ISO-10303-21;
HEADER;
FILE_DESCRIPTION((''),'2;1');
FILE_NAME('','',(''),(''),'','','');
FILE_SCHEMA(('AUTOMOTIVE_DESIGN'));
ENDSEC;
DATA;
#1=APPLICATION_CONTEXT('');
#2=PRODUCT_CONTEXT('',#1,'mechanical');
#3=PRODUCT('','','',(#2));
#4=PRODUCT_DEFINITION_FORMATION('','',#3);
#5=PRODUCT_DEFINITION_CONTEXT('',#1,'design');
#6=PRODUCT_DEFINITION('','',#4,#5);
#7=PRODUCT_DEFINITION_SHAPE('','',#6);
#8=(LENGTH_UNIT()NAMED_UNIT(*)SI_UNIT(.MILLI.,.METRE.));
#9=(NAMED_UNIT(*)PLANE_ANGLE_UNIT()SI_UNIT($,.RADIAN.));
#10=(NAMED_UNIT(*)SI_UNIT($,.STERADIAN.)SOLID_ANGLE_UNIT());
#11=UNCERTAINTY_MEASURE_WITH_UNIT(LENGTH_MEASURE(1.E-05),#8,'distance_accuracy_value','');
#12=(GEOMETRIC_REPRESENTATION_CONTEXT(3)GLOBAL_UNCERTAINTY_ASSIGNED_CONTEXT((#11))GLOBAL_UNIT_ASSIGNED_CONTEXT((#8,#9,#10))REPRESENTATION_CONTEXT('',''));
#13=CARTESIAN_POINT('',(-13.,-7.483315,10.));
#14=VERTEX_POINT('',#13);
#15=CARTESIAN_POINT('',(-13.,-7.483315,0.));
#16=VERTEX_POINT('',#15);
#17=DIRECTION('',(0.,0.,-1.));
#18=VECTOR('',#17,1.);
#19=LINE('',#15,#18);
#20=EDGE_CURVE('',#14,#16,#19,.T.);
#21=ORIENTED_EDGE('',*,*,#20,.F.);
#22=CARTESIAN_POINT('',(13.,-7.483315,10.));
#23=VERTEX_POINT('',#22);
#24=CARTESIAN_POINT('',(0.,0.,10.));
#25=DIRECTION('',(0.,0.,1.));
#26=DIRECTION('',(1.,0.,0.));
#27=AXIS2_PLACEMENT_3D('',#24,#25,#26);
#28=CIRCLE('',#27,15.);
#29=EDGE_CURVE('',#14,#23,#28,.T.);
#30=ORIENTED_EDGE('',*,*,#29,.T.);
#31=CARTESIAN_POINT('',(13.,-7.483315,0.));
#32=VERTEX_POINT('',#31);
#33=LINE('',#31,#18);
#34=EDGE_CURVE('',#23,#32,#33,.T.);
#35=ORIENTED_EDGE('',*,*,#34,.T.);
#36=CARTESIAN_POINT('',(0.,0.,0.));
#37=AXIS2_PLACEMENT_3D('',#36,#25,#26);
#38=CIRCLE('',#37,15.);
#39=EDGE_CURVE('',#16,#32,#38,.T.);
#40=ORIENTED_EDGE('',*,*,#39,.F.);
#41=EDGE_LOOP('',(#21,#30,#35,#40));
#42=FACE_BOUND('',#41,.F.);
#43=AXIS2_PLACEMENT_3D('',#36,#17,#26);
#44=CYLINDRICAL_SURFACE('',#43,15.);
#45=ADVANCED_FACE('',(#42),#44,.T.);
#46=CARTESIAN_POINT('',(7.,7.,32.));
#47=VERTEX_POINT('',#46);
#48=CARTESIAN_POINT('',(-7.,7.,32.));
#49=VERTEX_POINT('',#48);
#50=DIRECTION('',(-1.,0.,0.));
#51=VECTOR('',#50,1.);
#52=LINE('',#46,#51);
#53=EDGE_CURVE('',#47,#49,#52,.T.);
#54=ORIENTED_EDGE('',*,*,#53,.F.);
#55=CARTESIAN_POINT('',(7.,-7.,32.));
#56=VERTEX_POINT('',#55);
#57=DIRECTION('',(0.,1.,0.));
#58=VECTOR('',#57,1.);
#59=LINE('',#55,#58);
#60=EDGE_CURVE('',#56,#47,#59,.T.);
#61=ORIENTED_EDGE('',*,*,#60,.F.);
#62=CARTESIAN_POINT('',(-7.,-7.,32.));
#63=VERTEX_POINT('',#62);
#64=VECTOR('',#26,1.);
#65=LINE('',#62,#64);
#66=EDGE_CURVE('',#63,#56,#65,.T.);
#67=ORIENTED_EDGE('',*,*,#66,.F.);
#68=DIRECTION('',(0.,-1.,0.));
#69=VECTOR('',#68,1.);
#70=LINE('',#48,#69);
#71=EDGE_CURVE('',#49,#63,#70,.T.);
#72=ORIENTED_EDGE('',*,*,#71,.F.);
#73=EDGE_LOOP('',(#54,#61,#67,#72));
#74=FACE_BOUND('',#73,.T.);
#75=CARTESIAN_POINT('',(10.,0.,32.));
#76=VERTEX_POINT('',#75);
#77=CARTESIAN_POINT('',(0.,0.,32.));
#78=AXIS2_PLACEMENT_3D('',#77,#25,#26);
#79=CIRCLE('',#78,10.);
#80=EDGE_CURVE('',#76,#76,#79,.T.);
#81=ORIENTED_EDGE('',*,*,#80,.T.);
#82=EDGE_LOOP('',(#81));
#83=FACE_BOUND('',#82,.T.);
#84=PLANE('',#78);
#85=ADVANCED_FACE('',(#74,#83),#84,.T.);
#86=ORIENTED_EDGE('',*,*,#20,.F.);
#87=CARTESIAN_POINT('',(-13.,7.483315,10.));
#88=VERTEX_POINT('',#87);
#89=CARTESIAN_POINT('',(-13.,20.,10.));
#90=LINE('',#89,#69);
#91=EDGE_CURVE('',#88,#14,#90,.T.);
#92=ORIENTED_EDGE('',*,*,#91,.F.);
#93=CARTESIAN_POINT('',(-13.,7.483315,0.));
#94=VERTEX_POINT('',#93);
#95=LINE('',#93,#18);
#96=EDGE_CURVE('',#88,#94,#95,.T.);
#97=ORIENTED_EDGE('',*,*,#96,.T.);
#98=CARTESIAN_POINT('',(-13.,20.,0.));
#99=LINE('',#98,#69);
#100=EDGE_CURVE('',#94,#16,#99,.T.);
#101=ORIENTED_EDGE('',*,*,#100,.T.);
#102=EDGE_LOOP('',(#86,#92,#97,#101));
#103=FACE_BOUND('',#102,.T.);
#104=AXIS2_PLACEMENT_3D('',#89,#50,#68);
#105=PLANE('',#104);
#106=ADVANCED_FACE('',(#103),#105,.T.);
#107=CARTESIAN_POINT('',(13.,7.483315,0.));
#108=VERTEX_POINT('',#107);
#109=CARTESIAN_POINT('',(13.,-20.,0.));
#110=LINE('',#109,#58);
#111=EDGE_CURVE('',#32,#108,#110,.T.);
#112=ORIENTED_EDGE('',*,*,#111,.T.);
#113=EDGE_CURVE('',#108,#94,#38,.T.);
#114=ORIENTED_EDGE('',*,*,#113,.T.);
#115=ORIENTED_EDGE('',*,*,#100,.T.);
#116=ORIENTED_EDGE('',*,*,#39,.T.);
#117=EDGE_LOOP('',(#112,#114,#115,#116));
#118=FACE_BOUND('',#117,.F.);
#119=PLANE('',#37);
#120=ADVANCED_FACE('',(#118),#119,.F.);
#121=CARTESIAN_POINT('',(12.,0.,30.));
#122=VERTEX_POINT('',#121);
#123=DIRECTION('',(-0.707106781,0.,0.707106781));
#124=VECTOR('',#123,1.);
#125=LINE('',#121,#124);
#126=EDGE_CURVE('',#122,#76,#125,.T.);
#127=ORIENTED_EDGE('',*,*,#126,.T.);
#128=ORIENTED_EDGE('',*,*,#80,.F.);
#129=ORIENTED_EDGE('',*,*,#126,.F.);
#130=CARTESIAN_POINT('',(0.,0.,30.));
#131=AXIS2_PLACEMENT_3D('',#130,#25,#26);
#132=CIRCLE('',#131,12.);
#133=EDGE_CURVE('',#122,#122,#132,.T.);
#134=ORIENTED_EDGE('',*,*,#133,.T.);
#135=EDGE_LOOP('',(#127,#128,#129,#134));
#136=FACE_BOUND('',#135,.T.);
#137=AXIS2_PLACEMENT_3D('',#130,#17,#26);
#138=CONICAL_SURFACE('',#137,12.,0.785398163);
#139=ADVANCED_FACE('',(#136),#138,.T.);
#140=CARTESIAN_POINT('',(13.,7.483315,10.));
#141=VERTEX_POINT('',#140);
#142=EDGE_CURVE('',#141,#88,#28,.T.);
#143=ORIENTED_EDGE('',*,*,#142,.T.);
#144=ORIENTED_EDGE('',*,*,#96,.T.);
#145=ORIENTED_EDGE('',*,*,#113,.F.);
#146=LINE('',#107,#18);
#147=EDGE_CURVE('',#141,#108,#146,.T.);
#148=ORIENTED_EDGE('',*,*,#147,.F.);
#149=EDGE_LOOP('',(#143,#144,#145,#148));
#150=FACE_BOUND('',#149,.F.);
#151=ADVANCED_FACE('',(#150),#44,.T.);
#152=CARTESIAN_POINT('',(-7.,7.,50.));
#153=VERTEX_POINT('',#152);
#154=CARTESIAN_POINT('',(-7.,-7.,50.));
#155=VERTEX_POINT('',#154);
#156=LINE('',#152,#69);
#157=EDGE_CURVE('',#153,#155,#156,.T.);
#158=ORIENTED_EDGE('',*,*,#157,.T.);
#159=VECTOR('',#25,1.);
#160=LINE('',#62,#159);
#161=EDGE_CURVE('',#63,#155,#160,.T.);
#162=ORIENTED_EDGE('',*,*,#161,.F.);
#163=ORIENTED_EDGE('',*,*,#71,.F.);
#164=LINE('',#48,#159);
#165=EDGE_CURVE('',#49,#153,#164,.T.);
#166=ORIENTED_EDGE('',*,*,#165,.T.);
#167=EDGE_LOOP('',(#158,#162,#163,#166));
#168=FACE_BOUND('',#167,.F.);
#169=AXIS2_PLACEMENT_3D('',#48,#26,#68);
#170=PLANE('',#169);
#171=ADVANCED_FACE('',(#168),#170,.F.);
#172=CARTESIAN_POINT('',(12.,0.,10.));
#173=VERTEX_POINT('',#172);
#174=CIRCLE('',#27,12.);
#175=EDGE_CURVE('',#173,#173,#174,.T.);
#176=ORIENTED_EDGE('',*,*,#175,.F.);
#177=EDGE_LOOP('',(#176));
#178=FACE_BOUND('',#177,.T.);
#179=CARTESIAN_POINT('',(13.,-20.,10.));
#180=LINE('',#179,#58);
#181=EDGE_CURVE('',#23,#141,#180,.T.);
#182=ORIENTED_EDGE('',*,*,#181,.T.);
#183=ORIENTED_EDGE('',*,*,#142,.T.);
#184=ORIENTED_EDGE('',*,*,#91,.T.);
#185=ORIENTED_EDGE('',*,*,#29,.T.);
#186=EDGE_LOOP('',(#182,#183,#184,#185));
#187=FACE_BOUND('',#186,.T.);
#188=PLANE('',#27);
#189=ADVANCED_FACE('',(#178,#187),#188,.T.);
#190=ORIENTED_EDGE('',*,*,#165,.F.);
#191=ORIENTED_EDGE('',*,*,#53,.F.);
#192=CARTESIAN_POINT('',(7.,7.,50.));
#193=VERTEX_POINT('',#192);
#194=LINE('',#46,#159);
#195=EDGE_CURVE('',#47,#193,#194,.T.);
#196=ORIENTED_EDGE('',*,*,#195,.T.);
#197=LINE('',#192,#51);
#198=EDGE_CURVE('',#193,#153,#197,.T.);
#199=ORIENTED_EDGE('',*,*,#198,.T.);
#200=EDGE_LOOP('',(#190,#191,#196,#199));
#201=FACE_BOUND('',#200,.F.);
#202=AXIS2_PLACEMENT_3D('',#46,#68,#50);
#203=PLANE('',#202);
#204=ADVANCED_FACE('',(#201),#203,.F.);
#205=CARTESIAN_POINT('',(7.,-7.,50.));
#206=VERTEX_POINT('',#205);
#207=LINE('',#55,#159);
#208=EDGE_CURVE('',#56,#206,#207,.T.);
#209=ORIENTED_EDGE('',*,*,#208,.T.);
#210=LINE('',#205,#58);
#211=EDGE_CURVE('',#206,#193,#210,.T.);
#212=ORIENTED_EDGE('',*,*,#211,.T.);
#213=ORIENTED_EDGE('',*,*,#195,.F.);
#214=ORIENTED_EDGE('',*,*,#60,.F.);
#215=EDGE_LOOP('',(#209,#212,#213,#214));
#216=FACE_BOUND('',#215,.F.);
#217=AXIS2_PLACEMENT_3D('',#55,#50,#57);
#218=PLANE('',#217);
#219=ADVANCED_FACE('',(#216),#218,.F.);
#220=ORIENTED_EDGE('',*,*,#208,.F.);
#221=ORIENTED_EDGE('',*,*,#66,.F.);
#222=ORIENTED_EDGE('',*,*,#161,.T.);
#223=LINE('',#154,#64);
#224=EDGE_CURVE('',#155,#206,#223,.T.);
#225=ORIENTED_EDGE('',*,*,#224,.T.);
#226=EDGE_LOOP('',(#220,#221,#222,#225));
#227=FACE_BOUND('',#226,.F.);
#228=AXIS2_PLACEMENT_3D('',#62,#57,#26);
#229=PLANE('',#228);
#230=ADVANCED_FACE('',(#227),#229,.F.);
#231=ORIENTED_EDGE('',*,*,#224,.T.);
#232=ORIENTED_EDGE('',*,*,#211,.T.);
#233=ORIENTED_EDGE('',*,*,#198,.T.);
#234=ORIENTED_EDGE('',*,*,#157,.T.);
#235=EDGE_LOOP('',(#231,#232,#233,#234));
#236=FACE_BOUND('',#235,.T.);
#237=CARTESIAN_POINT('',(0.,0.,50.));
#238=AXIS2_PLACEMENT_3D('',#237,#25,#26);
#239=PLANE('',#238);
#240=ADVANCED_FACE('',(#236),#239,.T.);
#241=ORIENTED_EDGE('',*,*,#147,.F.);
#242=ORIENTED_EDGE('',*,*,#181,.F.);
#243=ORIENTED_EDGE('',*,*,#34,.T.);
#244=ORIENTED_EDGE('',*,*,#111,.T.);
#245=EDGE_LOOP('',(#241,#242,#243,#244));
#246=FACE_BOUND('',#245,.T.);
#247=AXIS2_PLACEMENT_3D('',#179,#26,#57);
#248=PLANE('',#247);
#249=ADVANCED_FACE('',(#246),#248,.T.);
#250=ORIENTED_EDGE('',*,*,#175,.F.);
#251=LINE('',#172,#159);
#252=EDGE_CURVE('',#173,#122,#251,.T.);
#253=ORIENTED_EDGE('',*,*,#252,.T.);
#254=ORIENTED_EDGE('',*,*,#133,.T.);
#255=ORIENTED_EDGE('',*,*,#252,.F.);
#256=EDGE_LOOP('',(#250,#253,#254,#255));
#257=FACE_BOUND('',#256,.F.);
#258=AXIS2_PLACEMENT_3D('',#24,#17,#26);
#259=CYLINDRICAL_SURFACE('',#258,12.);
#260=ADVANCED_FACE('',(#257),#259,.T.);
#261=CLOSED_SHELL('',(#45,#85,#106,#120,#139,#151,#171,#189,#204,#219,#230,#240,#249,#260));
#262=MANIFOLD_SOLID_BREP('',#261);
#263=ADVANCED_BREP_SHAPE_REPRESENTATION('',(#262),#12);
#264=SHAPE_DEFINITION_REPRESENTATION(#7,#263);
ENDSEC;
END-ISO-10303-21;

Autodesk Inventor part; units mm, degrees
ref_plane "YZ Plane" through (0, 0, 0) normal (1, 0, 0) x (0, 1, 0)
ref_plane "XZ Plane" through (0, 0, 0) normal (0, 1, 0) x (-1, 0, 0)
ref_plane "XY Plane" through (0, 0, 0) normal (0, 0, 1) x (1, 0, 0)
sketch "Sketch1" plane through (0, 0, 0) normal (0, 0, 1) x (1, 0, 0)
  circle A0 centre (0, 0) radius 15
  dimension "d0" = 30
extrude "Extrusion1" add sketch "Sketch1" along normal blind 10
sketch "Sketch2" plane through (0, 0, 10) normal (0, 0, 1) x (1, 0, 0)
  line L0 (-13, -20) -> (13, -20)
  line L1 (13, -20) -> (13, 20)
  line L2 (13, 20) -> (-13, 20)
  line L3 (-13, 20) -> (-13, -20)
  line L4 (-13, -20) -> (13, 20) construction
  line L5 (13, -20) -> (-13, 20) construction
  point P0 (0, 0)
  dimension "d3" = 26
  dimension "d4" = 40
extrude "Extrusion2" cut sketch "Sketch2" against normal blind 10 keep common part
sketch "Sketch3" plane through (0, 0, 10) normal (0, 0, 1) x (1, 0, 0)
  circle A0 centre (0, 0) radius 12
  dimension "d7" = 24
extrude "Extrusion3" add sketch "Sketch3" along normal blind 22
chamfer "Chamfer1" distance 2 angle 45 1 edges at (-12, 0, 32)
sketch "Sketch4" plane through (0, 0, 32) normal (0, 0, 1) x (1, 0, 0)
  line L0 (-7, -7) -> (7, -7)
  line L1 (7, -7) -> (7, 7)
  line L2 (7, 7) -> (-7, 7)
  line L3 (-7, 7) -> (-7, -7)
  line L4 (-7, -7) -> (7, 7) construction
  line L5 (7, -7) -> (-7, 7) construction
  point P0 (0, 0)
  dimension "d13" = 14
extrude "Extrusion4" add sketch "Sketch4" along normal blind 18
thread "Thread1" size "TR24x3" class "7e" standard "ISO Metric Trapezoidal Threads" full length
properties part number "lab10_2"
